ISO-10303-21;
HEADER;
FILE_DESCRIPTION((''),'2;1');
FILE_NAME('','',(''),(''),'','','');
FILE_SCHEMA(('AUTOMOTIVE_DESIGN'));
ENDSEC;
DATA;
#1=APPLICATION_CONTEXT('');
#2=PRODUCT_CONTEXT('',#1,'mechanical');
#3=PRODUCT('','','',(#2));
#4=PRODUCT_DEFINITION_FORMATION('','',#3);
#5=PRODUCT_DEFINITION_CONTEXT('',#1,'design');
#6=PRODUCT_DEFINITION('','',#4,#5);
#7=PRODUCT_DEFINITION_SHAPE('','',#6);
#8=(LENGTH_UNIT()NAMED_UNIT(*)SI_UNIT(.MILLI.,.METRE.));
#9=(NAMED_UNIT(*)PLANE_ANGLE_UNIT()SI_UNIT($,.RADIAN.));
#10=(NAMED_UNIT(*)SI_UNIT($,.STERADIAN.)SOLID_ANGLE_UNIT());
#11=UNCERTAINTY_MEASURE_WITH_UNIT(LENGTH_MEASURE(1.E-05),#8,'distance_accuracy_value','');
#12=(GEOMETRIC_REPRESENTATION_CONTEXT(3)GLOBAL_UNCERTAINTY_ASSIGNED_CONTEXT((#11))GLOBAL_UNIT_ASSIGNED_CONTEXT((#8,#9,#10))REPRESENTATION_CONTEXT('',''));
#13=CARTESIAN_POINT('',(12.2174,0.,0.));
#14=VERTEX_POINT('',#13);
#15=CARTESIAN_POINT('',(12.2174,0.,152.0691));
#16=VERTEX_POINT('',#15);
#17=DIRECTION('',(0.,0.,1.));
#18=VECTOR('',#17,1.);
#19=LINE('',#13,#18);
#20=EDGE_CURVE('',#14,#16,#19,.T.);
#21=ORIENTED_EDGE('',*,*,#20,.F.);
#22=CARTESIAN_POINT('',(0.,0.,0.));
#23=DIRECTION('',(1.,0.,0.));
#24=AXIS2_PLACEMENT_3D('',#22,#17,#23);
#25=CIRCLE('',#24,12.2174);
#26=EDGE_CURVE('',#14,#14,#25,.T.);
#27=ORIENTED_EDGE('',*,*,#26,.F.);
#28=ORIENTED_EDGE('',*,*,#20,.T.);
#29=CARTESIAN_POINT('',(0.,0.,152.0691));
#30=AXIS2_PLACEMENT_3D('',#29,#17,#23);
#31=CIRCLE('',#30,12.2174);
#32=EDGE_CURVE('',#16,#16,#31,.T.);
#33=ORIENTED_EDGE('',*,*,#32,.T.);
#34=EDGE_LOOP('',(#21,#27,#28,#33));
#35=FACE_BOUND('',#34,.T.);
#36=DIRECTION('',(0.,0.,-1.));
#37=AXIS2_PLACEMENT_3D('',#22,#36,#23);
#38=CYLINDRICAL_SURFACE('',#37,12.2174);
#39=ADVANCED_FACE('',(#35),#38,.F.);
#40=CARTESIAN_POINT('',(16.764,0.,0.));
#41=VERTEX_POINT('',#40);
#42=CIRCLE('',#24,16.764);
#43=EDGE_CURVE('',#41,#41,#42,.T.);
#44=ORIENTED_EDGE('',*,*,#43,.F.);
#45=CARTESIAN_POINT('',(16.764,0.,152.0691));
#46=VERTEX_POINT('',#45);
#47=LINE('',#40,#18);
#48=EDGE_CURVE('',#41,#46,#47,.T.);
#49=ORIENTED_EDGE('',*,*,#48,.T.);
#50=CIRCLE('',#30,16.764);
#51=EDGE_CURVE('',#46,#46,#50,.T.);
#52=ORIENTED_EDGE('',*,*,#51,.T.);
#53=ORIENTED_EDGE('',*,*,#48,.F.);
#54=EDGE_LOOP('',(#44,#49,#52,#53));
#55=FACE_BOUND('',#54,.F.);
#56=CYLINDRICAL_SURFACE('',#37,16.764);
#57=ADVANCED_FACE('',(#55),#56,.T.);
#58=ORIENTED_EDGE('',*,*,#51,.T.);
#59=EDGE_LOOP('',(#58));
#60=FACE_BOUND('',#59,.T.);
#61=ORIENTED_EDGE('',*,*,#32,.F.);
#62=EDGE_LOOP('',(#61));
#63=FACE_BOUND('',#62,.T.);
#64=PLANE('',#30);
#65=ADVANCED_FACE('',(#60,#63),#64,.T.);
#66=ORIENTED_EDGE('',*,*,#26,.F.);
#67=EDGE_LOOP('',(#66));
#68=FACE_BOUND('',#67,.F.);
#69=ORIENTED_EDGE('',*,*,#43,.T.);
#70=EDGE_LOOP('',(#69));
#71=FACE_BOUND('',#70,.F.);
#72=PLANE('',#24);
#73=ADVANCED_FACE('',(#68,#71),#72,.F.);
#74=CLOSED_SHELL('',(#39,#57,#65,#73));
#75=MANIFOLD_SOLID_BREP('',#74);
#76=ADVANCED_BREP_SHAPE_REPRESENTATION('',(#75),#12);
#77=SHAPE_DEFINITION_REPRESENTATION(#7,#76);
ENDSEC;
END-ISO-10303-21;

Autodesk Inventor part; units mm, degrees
ref_plane "YZ Plane" through (0, 0, 0) normal (1, 0, 0) x (0, 1, 0)
ref_plane "Start Plane" through (0, 0, 0) normal (0, 0, 1) x (1, 0, 0)
ref_plane "End Plane" through (0, 0, 152.0691) normal (0, 0, 1) x (1, 0, 0)
sketch "Sketch" plane through (0, 0, 0) normal (0, 0, 1) x (1, 0, 0)
  circle A0 centre (0, 0) radius 12.2174
  circle A1 centre (0, 0) radius 16.764
  dimension "d0" = 33.528
  dimension "d1" = 4.5466
extrude "Body" add sketch "Sketch" along normal up to surface (152.0691 mm away) from surface at 0
sketch "Sketch3" plane through (0, 0, 0) normal (0, 0, 1) x (1, 0, 0)
  line L0 (0, 0) -> (10, 0)
ref_plane "Work Plane3" through (0, 0, 0) normal (0, -1, 0) x (1, 0, 0)
sketch "Sketch4" plane through (0, 0, 0) normal (0, -1, 0) x (1, 0, 0)
  line L0 (-2, 0) -> (12, 0) projected
  line L1 (-2, 152.0691) -> (12, 152.0691) projected
  dimension "d7" = 152.0691
equation "\"d0\" = G_H"
equation "\"d1\" = G_T"
equation "\"d2\" = G_L"
equation "\"G_H\" = 33.528"
equation "\"G_T\" = 4.5466"
equation "\"G_L\" = d7"
equation "\"G_OFFSET_START\" = 0"
equation "\"G_OFFSET_END\" = 0"
equation "\"d5\" = G_OFFSET_END + B_L"
equation "\"B_L\" = 152.06906"
properties part number "ANSI - 1 x 0.179 - 5.987" material "Steel, Mild"
